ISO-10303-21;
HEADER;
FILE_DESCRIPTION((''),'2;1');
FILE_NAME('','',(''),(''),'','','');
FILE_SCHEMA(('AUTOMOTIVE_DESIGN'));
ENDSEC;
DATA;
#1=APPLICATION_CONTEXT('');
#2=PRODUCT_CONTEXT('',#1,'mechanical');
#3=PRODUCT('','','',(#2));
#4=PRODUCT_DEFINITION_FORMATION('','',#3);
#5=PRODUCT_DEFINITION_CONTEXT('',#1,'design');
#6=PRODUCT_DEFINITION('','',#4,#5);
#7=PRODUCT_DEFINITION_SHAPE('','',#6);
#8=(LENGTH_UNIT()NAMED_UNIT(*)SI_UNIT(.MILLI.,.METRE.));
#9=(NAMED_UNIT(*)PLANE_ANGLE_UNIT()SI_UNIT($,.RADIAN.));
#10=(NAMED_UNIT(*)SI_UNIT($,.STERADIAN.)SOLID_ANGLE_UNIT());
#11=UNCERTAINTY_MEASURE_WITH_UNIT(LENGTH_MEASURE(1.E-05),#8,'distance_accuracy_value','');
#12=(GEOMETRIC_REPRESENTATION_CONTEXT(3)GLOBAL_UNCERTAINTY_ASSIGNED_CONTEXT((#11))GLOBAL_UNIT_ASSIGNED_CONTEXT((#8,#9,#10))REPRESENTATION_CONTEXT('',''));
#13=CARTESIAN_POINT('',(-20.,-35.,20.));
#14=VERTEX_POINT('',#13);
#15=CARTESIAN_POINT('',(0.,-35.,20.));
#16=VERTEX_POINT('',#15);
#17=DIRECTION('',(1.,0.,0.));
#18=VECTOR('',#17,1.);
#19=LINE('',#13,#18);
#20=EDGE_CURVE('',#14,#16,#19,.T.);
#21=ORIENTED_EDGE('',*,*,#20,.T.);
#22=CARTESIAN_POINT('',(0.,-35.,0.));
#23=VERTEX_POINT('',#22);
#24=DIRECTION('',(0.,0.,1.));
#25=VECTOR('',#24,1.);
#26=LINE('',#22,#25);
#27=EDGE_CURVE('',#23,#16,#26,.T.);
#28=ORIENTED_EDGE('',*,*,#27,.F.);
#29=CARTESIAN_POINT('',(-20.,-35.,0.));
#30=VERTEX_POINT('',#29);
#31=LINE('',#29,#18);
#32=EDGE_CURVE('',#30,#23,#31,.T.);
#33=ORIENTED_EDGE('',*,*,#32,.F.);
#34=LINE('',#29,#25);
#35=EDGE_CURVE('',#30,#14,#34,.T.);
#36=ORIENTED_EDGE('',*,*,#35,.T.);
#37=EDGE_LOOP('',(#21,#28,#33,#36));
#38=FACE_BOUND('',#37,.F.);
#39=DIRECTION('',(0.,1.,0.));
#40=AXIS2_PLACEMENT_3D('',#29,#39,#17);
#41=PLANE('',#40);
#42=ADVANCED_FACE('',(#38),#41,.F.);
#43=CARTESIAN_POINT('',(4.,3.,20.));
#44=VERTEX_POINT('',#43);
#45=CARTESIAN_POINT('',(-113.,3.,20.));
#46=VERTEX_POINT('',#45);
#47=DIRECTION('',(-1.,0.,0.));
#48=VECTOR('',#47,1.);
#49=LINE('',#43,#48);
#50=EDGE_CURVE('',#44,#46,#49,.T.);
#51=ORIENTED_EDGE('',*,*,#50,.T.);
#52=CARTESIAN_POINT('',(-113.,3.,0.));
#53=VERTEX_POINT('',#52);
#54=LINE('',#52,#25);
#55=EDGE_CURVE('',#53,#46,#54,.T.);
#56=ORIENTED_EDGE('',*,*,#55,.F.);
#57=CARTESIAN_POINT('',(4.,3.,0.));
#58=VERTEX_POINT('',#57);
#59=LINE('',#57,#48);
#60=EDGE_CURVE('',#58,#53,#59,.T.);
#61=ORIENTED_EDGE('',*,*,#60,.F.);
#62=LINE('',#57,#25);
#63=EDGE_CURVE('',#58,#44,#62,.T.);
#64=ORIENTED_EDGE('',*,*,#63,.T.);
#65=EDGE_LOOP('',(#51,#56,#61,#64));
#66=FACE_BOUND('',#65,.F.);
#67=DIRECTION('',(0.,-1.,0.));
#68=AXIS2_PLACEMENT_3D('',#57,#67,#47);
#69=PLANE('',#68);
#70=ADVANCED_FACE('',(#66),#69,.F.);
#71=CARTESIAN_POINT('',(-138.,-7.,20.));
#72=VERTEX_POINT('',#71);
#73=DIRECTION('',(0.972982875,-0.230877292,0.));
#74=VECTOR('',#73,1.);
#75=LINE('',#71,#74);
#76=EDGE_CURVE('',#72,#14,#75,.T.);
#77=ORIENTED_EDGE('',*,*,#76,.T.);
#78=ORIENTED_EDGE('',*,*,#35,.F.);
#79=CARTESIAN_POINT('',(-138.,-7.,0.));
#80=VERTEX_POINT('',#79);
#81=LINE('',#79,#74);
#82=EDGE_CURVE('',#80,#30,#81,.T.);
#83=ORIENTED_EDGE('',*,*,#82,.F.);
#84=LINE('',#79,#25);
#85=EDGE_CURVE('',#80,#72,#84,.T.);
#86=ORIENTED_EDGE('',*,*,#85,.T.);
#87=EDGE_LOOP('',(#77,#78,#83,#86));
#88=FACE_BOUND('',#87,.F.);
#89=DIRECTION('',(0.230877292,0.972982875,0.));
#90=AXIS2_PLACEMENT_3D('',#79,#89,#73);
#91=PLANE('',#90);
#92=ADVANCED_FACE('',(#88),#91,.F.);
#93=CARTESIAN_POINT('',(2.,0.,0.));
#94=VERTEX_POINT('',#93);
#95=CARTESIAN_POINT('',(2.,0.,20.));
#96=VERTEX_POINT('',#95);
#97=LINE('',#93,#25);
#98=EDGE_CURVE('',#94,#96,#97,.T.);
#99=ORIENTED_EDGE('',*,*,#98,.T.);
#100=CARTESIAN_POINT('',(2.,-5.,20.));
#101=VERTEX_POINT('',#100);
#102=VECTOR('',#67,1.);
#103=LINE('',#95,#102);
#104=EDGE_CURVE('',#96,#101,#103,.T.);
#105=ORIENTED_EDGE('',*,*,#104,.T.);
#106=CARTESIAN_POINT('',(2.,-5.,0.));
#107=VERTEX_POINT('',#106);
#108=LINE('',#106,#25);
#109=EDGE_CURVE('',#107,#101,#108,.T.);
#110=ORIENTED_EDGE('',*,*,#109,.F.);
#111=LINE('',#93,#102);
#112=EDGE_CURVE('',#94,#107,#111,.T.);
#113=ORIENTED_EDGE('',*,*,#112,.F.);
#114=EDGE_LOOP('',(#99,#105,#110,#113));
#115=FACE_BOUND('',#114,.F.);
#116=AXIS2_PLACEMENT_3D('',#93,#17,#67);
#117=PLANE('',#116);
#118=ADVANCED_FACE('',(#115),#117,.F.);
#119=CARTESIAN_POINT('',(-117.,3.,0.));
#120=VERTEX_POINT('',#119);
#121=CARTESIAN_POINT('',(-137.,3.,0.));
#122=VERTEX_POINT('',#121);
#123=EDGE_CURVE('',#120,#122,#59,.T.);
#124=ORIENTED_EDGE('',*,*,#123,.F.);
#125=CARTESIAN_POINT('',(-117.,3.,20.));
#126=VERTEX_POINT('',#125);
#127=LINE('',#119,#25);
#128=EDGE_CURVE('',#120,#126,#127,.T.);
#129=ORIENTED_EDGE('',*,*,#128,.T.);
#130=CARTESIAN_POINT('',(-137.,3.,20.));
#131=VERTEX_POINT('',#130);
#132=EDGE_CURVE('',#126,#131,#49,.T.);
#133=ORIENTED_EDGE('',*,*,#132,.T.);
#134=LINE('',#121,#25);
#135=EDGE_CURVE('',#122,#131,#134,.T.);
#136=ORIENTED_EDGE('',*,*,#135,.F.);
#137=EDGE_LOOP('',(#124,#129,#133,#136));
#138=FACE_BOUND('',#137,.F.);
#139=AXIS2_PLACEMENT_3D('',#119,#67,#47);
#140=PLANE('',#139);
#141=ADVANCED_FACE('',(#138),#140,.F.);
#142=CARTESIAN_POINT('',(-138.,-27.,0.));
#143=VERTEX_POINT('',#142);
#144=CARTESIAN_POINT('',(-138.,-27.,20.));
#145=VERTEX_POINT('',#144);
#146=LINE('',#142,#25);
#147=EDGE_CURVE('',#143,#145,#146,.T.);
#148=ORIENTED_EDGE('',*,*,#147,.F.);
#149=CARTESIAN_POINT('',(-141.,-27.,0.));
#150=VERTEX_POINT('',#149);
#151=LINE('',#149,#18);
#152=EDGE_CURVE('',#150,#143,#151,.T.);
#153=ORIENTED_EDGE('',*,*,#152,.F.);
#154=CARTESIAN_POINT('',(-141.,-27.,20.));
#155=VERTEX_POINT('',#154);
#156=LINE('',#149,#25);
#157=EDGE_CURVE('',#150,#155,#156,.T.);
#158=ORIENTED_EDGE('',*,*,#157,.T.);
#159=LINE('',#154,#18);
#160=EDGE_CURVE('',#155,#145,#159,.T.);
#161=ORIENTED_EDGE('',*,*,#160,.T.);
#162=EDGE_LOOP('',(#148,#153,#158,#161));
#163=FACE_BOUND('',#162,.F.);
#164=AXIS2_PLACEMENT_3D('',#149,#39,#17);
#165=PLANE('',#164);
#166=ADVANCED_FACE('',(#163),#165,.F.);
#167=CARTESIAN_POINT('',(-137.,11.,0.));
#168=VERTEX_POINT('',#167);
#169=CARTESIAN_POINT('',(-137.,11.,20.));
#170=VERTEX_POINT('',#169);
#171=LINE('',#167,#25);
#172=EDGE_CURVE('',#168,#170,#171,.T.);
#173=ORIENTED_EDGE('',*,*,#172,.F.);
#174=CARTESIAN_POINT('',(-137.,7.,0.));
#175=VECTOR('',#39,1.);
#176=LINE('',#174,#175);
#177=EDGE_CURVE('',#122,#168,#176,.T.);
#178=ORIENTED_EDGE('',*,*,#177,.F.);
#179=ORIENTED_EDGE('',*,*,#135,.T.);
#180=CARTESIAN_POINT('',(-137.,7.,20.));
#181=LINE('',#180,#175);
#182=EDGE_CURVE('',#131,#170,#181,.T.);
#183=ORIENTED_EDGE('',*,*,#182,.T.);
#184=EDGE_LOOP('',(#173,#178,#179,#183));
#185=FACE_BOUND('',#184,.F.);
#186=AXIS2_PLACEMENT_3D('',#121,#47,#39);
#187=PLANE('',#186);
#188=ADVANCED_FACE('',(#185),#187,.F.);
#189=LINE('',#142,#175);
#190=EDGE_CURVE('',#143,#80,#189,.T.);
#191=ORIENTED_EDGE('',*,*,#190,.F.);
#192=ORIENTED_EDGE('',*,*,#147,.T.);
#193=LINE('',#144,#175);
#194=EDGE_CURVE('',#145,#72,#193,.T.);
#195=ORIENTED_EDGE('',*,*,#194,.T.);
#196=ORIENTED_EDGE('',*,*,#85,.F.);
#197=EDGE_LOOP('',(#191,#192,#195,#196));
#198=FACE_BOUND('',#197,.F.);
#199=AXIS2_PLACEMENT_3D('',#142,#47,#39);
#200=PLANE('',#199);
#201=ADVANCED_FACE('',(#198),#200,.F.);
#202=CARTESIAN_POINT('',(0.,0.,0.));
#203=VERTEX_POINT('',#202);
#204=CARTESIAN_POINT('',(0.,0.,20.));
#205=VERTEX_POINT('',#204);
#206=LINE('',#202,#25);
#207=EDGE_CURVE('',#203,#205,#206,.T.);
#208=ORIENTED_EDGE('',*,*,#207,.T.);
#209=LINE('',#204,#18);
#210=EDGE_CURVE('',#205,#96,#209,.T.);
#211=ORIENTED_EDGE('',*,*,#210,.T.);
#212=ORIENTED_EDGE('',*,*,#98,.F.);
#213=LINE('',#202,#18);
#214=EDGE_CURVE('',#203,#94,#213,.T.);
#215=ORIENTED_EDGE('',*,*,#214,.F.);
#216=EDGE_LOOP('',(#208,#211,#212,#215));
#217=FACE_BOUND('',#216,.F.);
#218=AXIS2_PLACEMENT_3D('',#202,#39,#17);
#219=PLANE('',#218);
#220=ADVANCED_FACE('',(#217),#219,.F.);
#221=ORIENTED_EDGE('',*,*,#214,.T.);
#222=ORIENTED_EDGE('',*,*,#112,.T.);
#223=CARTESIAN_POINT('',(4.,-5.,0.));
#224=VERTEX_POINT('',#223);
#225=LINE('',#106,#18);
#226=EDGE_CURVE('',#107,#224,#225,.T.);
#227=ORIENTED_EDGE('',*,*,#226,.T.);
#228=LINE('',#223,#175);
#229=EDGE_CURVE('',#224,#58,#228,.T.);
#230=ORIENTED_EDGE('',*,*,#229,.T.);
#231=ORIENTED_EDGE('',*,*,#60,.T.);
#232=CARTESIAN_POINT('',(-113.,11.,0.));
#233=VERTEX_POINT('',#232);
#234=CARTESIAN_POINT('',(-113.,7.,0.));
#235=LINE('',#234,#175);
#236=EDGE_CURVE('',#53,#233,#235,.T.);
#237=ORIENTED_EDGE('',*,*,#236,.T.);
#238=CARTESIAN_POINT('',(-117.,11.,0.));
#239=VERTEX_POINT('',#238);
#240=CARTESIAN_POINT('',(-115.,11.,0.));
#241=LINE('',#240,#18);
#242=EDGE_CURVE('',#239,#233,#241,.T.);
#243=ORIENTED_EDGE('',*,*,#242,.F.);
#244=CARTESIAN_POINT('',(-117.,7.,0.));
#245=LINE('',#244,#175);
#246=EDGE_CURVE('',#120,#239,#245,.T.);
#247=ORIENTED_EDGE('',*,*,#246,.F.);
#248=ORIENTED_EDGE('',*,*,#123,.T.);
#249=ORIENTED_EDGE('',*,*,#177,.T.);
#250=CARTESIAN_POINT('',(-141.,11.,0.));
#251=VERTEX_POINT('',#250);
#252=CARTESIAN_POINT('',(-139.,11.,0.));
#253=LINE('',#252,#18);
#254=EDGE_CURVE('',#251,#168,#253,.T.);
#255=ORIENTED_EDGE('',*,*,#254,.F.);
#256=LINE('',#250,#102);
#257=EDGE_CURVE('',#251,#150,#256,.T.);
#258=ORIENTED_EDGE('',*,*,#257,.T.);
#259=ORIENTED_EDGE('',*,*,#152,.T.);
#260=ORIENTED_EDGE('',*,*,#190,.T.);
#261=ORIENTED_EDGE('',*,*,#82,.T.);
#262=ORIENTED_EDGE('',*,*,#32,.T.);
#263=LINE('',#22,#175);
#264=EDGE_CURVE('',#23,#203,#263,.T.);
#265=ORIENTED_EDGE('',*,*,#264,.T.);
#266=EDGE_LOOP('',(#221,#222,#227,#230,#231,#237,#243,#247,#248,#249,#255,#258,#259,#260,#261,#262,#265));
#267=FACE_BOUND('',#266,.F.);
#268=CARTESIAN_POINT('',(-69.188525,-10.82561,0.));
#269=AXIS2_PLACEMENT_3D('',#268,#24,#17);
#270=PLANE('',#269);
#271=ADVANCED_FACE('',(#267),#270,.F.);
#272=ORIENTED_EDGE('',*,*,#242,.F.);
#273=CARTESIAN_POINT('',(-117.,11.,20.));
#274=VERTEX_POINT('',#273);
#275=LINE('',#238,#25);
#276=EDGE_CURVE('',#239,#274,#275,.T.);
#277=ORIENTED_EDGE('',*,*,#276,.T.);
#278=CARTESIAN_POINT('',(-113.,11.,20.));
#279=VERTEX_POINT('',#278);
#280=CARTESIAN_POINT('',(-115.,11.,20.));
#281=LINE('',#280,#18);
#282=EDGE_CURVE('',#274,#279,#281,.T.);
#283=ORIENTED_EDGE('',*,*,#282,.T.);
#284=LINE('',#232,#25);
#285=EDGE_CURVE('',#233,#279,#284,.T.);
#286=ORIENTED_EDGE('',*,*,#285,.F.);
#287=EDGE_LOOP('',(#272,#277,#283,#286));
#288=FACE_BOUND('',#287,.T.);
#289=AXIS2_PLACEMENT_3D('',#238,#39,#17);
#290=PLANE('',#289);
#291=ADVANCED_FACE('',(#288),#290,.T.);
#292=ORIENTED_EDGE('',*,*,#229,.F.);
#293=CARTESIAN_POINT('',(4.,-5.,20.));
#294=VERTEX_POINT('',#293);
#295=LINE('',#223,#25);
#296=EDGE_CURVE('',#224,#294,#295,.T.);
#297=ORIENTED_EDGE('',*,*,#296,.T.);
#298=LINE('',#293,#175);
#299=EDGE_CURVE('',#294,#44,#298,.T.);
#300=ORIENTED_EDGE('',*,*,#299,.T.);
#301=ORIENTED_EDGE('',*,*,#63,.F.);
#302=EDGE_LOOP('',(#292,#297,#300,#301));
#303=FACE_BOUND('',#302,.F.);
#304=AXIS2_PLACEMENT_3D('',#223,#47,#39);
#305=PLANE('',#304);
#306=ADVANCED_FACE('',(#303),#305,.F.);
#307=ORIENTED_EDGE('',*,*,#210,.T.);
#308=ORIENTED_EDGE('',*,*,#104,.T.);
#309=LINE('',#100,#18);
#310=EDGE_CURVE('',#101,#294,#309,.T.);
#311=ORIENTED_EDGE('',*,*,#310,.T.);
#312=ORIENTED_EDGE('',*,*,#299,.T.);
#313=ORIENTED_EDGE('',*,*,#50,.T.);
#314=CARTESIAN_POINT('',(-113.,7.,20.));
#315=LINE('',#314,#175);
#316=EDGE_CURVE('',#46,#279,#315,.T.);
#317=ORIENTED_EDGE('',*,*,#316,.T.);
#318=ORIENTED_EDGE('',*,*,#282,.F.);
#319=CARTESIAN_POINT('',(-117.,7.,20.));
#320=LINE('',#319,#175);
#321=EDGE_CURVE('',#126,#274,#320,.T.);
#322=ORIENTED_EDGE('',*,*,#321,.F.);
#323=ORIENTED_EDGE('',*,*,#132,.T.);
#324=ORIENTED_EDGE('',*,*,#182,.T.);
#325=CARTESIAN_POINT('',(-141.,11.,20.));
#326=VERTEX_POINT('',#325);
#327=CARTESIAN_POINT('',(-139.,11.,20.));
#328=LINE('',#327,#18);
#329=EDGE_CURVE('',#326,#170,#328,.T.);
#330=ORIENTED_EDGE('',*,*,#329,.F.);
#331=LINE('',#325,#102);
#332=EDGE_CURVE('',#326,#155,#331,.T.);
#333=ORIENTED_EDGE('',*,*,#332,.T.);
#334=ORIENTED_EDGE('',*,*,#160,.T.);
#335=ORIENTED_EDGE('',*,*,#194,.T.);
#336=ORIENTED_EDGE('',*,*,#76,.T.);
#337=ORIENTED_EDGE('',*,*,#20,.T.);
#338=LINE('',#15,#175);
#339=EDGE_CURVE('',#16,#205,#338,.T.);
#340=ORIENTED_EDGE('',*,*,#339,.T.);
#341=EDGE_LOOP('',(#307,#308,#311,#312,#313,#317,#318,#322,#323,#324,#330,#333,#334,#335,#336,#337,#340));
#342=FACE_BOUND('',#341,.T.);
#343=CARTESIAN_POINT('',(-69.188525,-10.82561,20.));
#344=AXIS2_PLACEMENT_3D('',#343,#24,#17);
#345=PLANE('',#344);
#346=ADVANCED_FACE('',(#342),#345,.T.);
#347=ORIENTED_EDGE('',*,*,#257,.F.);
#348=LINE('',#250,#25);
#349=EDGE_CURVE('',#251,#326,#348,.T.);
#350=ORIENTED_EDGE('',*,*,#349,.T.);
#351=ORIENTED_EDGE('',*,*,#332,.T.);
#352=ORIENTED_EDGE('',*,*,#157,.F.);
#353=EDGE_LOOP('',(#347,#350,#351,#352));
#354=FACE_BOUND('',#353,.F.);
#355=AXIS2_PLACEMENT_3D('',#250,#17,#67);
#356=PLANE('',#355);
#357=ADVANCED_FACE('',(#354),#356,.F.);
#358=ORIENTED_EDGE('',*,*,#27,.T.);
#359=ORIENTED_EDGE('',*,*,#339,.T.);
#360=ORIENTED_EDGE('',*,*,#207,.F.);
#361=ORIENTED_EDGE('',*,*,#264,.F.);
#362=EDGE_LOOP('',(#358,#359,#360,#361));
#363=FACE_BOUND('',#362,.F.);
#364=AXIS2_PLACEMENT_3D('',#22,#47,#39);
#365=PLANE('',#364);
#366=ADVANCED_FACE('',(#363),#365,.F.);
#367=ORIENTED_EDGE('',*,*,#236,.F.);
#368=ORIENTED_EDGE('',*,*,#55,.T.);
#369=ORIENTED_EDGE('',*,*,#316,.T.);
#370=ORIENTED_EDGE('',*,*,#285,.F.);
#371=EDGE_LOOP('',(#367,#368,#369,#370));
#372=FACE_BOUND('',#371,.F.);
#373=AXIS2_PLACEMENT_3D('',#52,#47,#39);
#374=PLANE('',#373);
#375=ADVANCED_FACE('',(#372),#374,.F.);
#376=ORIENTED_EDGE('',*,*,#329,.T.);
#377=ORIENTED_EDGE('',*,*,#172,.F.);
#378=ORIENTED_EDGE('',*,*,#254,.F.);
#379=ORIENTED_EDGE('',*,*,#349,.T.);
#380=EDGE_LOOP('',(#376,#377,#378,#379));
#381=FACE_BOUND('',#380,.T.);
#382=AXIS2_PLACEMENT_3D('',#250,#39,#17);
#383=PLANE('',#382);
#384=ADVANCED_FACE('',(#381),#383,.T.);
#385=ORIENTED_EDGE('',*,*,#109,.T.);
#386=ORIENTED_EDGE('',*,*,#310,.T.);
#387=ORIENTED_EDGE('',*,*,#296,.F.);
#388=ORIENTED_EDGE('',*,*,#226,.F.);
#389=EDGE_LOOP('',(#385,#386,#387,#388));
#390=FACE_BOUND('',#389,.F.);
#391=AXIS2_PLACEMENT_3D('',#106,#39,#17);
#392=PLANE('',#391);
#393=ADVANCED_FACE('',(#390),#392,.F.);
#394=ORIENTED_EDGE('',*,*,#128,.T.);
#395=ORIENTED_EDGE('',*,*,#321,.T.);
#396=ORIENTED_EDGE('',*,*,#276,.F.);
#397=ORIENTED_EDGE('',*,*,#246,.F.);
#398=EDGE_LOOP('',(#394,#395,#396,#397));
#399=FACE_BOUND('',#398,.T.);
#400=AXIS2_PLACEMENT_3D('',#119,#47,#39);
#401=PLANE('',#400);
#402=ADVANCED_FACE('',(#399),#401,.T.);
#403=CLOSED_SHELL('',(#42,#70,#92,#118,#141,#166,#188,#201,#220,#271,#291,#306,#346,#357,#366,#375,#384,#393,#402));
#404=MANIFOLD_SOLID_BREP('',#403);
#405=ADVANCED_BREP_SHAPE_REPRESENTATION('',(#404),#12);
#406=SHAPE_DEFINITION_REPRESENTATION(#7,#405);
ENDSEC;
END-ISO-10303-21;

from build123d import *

# Parameters (mm, degrees)
F0_W     = 4
F0_H     = 8
F1_DEPTH = 20


with BuildPart() as f1:
    # F0 (on Top) → F1 (new body)
    with BuildSketch(Plane.XY):
        Polygon((-20, -35), (0, -35), (0, 0), (2, 0), (2, -5), (4, -5), (4, 3), (-113, 3), (-117, 3), (-137, 3), (-141, 3), (-141, -27), (-138, -27), (-138, -7), align=None)
        with Locations((-139, 7)):
            Rectangle(F0_W, F0_H)
        with Locations((-115, 7)):
            Rectangle(F0_W, F0_H)
    extrude(amount=F1_DEPTH)


solid = f1.part
